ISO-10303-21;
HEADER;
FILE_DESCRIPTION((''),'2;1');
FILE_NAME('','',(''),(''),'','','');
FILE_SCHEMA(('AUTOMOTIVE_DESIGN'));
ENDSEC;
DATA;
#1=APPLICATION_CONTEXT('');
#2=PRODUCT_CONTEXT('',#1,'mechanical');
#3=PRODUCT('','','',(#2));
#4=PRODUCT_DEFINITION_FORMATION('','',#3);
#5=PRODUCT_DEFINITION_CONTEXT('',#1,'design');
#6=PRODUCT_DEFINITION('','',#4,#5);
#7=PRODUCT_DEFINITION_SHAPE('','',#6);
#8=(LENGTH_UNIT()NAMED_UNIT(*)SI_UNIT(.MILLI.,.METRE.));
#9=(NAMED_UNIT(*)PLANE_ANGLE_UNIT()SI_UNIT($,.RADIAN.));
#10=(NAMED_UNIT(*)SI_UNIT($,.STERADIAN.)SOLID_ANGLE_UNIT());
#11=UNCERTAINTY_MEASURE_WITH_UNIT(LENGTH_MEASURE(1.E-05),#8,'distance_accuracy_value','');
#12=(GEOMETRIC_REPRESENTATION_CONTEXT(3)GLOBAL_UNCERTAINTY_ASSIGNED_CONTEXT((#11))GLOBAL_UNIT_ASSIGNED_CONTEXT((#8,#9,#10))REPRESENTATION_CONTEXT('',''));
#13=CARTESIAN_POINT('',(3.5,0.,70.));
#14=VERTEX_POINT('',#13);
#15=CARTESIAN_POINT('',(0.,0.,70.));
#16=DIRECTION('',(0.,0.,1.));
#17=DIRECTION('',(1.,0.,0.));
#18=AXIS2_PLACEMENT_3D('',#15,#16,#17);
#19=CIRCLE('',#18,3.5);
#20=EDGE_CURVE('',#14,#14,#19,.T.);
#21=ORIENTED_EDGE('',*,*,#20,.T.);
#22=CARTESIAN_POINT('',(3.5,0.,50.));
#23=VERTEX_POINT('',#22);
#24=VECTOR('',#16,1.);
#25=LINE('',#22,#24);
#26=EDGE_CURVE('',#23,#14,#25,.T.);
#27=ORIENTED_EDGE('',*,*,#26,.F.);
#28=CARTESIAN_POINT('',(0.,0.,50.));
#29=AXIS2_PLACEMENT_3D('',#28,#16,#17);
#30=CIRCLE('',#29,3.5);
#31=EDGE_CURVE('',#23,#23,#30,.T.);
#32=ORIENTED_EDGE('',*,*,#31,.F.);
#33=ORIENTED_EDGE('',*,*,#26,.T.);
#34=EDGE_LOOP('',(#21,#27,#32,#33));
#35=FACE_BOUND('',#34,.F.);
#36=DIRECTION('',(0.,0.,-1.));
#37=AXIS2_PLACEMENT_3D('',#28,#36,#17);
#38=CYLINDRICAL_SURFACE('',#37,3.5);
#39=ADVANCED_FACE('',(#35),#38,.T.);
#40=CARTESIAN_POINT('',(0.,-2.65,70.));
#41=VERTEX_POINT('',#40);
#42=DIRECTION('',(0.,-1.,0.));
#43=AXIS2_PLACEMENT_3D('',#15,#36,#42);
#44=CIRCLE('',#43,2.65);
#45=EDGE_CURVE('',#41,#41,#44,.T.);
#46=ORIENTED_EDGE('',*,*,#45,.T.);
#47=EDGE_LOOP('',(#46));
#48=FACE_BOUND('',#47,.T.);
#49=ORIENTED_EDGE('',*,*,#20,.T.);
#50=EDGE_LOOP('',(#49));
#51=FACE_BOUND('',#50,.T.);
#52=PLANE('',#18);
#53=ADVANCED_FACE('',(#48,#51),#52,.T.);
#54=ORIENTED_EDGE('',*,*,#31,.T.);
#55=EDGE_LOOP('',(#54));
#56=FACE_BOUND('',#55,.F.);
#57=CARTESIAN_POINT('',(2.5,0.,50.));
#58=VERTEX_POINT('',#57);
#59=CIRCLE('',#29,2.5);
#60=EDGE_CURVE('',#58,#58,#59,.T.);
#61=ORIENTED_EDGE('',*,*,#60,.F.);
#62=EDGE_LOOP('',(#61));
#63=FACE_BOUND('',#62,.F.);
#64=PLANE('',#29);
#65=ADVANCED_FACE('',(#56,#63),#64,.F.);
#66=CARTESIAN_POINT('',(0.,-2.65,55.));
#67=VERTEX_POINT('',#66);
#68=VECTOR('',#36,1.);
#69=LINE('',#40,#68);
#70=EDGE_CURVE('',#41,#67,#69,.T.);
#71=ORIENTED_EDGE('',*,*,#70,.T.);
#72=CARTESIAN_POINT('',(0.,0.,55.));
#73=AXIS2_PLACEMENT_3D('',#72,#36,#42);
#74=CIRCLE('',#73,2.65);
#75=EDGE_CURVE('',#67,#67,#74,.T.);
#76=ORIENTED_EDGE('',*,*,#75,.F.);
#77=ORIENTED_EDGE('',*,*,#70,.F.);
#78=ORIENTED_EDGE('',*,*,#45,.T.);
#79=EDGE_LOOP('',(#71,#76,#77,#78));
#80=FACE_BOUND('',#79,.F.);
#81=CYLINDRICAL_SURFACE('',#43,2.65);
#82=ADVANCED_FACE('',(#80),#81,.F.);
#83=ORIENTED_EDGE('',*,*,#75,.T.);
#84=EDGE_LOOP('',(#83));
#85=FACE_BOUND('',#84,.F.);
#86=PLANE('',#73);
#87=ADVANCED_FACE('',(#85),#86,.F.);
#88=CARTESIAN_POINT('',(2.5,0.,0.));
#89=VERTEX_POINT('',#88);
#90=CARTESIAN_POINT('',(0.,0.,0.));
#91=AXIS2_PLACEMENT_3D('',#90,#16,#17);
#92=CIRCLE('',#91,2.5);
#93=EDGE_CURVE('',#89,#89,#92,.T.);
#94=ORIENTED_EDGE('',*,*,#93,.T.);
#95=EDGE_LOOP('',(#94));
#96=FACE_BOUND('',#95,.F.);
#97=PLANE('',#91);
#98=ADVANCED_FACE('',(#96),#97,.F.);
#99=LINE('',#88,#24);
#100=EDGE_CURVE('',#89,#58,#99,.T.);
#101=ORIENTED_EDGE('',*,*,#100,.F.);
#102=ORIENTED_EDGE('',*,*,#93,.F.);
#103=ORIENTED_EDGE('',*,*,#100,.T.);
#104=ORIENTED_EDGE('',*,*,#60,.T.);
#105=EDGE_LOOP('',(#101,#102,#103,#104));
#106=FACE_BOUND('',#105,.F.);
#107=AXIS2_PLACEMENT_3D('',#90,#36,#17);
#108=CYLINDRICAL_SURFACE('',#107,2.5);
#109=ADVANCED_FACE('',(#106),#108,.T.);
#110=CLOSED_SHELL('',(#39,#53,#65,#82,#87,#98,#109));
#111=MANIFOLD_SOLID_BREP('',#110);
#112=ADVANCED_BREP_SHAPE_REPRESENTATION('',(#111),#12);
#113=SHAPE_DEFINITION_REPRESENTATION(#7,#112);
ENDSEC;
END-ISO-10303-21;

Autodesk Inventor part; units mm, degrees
ref_plane "YZ Plane" through (0, 0, 0) normal (1, 0, 0) x (0, 1, 0)
ref_plane "XZ Plane" through (0, 0, 0) normal (0, 1, 0) x (-1, 0, 0)
ref_plane "XY Plane" through (0, 0, 0) normal (0, 0, 1) x (1, 0, 0)
sketch "Sketch1" plane through (0, 0, 0) normal (0, 0, 1) x (1, 0, 0)
  circle A0 centre (0, 0) radius 2.5
  dimension "d0" = 5
extrude "Extrusion1" add sketch "Sketch1" along normal blind 50
sketch "Sketch2" plane through (0, 0, 50) normal (0, 0, 1) x (1, 0, 0)
  circle A0 centre (0, 0) radius 3.5
  dimension "d3" = 7
extrude "Extrusion2" add sketch "Sketch2" along normal blind 20
sketch "Sketch3" plane through (0, 0, 70) normal (0, 0, 1) x (1, 0, 0)
  point P0 (0, 0)
  point P1 (0, 0)
hole "Hole1" at (0, 0, 70) direction (0, 0, -1) diameter 5.3 depth 15
equation "\"fitTol\" = 0.3"
properties part number "RCPlaneConnectorTest"
